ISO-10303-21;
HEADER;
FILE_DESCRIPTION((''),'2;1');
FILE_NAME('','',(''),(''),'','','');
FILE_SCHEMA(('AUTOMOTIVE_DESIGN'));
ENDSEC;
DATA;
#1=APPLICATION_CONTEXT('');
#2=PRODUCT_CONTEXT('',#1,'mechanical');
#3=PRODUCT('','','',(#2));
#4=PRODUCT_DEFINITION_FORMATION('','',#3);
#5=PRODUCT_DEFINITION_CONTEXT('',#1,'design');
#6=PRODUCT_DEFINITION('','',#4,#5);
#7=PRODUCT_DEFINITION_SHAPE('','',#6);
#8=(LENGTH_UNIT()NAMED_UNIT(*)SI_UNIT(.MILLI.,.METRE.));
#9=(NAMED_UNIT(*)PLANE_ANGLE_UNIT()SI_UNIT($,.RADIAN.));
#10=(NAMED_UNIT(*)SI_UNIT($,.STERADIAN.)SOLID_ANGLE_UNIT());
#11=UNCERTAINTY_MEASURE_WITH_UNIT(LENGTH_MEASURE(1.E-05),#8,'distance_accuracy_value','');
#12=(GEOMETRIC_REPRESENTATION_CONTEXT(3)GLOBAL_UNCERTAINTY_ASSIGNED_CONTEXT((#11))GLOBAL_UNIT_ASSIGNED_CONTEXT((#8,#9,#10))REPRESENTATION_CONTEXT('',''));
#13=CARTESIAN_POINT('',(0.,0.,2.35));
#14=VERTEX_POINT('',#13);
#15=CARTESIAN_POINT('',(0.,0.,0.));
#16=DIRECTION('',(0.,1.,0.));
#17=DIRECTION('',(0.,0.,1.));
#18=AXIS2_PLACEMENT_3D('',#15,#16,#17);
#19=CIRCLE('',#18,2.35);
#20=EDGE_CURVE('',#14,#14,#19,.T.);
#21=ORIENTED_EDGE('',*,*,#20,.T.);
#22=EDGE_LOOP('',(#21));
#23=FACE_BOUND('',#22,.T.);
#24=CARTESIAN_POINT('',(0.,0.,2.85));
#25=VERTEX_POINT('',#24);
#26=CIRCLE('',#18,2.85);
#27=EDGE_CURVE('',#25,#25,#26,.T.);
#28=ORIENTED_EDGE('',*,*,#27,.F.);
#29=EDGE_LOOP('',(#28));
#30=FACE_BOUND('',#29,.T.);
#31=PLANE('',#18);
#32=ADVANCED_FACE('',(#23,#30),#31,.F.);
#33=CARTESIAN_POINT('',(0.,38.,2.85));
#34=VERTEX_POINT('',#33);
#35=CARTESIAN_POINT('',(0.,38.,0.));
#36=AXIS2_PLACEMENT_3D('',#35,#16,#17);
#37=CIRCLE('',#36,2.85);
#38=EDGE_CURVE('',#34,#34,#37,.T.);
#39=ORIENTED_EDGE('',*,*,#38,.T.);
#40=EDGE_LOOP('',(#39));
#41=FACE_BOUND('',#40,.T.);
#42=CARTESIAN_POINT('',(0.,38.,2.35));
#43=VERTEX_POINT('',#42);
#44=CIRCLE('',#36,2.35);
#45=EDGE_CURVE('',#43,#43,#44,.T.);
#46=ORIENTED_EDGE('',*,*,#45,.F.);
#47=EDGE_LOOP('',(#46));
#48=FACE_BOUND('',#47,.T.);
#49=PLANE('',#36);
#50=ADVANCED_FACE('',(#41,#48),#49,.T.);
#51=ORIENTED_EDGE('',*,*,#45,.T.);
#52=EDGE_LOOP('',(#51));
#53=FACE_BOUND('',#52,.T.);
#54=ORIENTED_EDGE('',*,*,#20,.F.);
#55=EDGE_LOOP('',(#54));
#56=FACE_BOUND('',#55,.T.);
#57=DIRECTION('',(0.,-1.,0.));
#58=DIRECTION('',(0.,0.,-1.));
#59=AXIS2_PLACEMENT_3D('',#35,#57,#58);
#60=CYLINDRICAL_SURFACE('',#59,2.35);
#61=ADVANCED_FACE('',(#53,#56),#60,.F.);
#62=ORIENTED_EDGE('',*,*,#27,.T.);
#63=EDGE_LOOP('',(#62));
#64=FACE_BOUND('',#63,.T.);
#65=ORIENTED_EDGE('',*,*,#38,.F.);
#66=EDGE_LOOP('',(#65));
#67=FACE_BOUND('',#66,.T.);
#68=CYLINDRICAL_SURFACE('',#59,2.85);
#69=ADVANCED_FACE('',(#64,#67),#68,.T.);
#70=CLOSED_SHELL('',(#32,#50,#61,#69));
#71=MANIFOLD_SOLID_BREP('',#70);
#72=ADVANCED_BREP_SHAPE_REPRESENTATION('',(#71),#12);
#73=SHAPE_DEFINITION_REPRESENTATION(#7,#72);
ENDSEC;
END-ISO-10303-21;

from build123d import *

# Parameters (mm, degrees)
ESQUISSE1_R        = 2.85
ESQUISSE1_R_2      = 2.35
BOSS_EXTRU_1_DEPTH = 38


with BuildPart() as part:
    # Esquisse1 → Boss.-Extru.1 (new body)
    with BuildSketch(Plane(origin=(0, 0, 0), x_dir=(1, 0, 0), z_dir=(0, 1, 0))):
        Circle(ESQUISSE1_R)
        Circle(ESQUISSE1_R_2, mode=Mode.SUBTRACT)
    extrude(amount=BOSS_EXTRU_1_DEPTH)


solid = part.part
